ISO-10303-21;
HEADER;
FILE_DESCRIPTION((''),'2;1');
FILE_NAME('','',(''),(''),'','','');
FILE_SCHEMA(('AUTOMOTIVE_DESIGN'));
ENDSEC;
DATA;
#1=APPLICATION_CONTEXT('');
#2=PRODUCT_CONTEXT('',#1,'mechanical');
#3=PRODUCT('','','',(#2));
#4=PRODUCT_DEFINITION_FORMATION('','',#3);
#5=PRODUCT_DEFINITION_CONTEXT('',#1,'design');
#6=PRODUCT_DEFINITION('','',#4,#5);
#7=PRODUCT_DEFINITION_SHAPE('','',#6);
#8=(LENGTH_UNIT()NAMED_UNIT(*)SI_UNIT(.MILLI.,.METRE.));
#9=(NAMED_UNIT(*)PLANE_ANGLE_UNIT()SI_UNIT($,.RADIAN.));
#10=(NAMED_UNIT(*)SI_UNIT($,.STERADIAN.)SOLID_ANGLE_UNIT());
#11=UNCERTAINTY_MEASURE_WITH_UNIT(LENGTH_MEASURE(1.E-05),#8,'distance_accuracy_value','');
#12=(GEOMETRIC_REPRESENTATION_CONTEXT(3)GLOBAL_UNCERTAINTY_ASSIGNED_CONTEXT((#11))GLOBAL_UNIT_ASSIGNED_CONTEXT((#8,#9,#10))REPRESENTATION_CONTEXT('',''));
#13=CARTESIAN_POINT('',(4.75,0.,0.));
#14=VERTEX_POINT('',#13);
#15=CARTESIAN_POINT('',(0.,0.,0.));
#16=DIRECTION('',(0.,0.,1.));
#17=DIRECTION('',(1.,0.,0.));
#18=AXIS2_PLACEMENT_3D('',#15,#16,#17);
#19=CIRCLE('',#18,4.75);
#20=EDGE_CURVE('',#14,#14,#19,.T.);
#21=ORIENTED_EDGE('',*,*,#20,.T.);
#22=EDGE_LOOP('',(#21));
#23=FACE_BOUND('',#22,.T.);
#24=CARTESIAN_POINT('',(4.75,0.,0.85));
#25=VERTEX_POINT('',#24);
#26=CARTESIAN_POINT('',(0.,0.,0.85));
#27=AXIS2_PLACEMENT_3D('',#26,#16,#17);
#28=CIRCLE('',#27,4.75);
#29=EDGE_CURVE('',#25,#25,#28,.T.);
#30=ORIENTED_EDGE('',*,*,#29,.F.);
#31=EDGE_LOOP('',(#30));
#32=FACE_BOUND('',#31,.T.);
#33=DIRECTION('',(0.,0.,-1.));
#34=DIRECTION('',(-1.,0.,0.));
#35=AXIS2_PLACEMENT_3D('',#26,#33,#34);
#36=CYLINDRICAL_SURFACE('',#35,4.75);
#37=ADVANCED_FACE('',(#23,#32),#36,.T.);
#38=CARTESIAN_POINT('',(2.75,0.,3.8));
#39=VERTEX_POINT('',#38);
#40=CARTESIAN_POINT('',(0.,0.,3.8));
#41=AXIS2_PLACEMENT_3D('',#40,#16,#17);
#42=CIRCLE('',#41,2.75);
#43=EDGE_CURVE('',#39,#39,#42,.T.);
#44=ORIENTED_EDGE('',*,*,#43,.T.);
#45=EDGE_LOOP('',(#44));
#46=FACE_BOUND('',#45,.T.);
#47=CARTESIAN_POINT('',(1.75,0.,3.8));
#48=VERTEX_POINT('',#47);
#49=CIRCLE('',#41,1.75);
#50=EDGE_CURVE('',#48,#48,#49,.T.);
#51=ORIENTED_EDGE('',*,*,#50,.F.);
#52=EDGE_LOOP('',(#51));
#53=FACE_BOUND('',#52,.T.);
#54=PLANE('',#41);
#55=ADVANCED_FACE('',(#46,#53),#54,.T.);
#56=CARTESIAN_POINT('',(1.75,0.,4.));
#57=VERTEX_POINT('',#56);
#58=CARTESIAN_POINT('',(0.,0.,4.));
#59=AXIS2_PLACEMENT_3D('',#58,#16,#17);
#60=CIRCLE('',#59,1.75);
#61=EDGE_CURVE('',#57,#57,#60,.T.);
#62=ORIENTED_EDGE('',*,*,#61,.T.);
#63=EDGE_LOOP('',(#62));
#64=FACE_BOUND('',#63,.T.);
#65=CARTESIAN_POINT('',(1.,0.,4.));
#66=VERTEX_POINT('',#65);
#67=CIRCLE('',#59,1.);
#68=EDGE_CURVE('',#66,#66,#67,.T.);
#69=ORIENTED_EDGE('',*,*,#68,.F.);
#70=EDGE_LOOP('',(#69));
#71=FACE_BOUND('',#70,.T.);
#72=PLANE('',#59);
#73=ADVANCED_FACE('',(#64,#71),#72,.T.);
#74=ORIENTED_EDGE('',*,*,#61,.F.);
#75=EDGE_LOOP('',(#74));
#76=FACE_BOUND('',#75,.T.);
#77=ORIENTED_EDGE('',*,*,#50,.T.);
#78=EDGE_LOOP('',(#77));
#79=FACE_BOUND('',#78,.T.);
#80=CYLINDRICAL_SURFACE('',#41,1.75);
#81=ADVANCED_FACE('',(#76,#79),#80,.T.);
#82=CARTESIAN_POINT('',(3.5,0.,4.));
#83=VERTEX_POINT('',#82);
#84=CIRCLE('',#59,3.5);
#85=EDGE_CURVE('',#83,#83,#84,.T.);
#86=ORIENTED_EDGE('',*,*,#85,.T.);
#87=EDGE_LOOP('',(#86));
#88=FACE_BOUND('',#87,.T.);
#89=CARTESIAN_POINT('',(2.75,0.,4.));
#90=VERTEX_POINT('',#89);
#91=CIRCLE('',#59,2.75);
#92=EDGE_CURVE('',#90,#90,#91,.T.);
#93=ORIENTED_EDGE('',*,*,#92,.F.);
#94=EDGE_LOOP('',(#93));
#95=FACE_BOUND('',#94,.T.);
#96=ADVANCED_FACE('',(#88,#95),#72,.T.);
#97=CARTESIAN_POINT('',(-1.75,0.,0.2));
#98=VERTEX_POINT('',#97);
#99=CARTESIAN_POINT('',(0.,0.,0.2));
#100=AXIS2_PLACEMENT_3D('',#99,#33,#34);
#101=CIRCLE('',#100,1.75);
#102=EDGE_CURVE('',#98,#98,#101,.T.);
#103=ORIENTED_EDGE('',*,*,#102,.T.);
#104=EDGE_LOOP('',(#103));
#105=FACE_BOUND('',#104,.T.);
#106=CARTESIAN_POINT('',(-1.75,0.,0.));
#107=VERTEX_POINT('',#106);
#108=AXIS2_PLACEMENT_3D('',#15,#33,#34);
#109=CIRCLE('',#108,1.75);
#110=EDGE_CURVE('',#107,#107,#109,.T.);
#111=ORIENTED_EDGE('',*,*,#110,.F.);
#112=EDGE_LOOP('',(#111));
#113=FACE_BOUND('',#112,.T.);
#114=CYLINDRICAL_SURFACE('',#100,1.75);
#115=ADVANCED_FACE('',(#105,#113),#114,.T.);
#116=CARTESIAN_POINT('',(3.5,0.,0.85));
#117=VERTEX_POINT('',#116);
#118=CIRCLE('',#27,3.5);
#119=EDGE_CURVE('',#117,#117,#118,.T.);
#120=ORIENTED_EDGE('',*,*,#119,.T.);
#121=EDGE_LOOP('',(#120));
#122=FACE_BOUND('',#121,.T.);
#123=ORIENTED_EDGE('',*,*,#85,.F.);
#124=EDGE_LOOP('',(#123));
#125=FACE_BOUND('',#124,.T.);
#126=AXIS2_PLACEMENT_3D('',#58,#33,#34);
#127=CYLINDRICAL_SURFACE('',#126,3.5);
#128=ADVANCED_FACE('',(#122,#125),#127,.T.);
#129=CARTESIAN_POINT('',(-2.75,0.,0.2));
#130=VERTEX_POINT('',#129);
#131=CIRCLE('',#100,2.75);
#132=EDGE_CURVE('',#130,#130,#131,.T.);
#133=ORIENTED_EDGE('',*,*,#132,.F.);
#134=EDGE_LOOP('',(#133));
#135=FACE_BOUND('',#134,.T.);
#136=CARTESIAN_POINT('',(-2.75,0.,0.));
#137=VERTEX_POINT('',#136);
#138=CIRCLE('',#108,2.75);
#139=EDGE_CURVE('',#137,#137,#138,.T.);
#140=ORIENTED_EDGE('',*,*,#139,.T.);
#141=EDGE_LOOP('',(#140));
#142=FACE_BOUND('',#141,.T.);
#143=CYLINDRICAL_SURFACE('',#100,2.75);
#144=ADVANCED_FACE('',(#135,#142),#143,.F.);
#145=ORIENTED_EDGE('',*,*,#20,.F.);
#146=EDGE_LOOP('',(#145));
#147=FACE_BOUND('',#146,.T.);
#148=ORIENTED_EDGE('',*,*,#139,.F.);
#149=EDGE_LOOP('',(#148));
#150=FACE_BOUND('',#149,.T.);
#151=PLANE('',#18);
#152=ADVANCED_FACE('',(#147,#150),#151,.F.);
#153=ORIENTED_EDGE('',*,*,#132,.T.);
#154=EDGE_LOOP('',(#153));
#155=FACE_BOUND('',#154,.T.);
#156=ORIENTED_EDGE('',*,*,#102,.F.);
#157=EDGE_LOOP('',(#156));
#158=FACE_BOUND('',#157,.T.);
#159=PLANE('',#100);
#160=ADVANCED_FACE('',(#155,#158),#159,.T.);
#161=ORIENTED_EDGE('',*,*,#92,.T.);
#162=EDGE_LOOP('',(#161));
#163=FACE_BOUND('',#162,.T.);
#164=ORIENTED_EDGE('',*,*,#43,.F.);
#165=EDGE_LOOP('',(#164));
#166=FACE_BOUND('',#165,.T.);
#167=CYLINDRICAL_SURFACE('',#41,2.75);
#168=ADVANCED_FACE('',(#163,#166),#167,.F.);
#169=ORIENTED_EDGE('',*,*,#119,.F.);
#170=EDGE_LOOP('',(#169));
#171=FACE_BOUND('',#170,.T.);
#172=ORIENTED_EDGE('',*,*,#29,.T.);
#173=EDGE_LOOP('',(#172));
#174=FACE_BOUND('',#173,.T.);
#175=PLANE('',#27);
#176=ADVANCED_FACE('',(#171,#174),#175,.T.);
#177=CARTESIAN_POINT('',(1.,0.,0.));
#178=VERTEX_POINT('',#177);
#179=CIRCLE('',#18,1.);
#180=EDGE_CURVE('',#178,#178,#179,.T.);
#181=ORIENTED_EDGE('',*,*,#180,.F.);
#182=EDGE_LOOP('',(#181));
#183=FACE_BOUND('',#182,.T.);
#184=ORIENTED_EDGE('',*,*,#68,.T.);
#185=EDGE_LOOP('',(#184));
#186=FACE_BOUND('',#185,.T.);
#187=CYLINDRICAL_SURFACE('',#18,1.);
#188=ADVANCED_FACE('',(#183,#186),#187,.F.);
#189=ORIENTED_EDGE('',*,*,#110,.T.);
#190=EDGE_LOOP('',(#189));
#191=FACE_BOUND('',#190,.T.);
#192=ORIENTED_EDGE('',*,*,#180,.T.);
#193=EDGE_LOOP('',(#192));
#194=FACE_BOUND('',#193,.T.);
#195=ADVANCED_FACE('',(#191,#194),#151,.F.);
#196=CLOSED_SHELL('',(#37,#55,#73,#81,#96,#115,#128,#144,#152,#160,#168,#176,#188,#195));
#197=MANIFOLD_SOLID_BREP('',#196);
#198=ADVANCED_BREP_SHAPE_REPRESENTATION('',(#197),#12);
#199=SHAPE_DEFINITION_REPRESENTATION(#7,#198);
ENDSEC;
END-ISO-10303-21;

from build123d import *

# Parameters (mm, degrees)
SKETCH1_R           = 4.75
BOSS_EXTRUDE1_DEPTH = 0.85
SKETCH3_R           = 3.5
BOSS_EXTRUDE3_DEPTH = 3.15
SKETCH4_R           = 1
CUT_EXTRUDE1_DEPTH  = 4
SKETCH5_R           = 2.75
SKETCH5_R_2         = 1.75
CUT_EXTRUDE2_DEPTH  = 0.2
CUT_EXTRUDE3_START  = -0.2
SKETCH6_R           = 2.75
SKETCH6_R_2         = 1.75
CUT_EXTRUDE3_DEPTH  = 0.2


with BuildPart() as part:
    # Sketch1 → Boss-Extrude1 (new body)
    with BuildSketch(Plane.XY):
        Circle(SKETCH1_R)
    extrude(amount=BOSS_EXTRUDE1_DEPTH)

    # Sketch3 → Boss-Extrude3 (add)
    with BuildSketch(Plane.XY.offset(0.85)):
        Circle(SKETCH3_R)
    extrude(amount=BOSS_EXTRUDE3_DEPTH)

    # Sketch4 → Cut-Extrude1 (cut)
    with BuildSketch(Plane.XY.offset(4)):
        Circle(SKETCH4_R)
    extrude(amount=-CUT_EXTRUDE1_DEPTH, mode=Mode.SUBTRACT)

    # Sketch5 → Cut-Extrude2 (cut)
    with BuildSketch(Plane.XY.offset(4)):
        Circle(SKETCH5_R)
        Circle(SKETCH5_R_2, mode=Mode.SUBTRACT)
    extrude(amount=-CUT_EXTRUDE2_DEPTH, mode=Mode.SUBTRACT)

    # Sketch6 → Cut-Extrude3 (cut)
    with BuildSketch(Plane(origin=(0, 0, 0), x_dir=(-1, 0, 0), z_dir=(0, 0, -1)).offset(CUT_EXTRUDE3_START)):
        Circle(SKETCH6_R)
        Circle(SKETCH6_R_2, mode=Mode.SUBTRACT)
    extrude(amount=CUT_EXTRUDE3_DEPTH, mode=Mode.SUBTRACT)


solid = part.part
